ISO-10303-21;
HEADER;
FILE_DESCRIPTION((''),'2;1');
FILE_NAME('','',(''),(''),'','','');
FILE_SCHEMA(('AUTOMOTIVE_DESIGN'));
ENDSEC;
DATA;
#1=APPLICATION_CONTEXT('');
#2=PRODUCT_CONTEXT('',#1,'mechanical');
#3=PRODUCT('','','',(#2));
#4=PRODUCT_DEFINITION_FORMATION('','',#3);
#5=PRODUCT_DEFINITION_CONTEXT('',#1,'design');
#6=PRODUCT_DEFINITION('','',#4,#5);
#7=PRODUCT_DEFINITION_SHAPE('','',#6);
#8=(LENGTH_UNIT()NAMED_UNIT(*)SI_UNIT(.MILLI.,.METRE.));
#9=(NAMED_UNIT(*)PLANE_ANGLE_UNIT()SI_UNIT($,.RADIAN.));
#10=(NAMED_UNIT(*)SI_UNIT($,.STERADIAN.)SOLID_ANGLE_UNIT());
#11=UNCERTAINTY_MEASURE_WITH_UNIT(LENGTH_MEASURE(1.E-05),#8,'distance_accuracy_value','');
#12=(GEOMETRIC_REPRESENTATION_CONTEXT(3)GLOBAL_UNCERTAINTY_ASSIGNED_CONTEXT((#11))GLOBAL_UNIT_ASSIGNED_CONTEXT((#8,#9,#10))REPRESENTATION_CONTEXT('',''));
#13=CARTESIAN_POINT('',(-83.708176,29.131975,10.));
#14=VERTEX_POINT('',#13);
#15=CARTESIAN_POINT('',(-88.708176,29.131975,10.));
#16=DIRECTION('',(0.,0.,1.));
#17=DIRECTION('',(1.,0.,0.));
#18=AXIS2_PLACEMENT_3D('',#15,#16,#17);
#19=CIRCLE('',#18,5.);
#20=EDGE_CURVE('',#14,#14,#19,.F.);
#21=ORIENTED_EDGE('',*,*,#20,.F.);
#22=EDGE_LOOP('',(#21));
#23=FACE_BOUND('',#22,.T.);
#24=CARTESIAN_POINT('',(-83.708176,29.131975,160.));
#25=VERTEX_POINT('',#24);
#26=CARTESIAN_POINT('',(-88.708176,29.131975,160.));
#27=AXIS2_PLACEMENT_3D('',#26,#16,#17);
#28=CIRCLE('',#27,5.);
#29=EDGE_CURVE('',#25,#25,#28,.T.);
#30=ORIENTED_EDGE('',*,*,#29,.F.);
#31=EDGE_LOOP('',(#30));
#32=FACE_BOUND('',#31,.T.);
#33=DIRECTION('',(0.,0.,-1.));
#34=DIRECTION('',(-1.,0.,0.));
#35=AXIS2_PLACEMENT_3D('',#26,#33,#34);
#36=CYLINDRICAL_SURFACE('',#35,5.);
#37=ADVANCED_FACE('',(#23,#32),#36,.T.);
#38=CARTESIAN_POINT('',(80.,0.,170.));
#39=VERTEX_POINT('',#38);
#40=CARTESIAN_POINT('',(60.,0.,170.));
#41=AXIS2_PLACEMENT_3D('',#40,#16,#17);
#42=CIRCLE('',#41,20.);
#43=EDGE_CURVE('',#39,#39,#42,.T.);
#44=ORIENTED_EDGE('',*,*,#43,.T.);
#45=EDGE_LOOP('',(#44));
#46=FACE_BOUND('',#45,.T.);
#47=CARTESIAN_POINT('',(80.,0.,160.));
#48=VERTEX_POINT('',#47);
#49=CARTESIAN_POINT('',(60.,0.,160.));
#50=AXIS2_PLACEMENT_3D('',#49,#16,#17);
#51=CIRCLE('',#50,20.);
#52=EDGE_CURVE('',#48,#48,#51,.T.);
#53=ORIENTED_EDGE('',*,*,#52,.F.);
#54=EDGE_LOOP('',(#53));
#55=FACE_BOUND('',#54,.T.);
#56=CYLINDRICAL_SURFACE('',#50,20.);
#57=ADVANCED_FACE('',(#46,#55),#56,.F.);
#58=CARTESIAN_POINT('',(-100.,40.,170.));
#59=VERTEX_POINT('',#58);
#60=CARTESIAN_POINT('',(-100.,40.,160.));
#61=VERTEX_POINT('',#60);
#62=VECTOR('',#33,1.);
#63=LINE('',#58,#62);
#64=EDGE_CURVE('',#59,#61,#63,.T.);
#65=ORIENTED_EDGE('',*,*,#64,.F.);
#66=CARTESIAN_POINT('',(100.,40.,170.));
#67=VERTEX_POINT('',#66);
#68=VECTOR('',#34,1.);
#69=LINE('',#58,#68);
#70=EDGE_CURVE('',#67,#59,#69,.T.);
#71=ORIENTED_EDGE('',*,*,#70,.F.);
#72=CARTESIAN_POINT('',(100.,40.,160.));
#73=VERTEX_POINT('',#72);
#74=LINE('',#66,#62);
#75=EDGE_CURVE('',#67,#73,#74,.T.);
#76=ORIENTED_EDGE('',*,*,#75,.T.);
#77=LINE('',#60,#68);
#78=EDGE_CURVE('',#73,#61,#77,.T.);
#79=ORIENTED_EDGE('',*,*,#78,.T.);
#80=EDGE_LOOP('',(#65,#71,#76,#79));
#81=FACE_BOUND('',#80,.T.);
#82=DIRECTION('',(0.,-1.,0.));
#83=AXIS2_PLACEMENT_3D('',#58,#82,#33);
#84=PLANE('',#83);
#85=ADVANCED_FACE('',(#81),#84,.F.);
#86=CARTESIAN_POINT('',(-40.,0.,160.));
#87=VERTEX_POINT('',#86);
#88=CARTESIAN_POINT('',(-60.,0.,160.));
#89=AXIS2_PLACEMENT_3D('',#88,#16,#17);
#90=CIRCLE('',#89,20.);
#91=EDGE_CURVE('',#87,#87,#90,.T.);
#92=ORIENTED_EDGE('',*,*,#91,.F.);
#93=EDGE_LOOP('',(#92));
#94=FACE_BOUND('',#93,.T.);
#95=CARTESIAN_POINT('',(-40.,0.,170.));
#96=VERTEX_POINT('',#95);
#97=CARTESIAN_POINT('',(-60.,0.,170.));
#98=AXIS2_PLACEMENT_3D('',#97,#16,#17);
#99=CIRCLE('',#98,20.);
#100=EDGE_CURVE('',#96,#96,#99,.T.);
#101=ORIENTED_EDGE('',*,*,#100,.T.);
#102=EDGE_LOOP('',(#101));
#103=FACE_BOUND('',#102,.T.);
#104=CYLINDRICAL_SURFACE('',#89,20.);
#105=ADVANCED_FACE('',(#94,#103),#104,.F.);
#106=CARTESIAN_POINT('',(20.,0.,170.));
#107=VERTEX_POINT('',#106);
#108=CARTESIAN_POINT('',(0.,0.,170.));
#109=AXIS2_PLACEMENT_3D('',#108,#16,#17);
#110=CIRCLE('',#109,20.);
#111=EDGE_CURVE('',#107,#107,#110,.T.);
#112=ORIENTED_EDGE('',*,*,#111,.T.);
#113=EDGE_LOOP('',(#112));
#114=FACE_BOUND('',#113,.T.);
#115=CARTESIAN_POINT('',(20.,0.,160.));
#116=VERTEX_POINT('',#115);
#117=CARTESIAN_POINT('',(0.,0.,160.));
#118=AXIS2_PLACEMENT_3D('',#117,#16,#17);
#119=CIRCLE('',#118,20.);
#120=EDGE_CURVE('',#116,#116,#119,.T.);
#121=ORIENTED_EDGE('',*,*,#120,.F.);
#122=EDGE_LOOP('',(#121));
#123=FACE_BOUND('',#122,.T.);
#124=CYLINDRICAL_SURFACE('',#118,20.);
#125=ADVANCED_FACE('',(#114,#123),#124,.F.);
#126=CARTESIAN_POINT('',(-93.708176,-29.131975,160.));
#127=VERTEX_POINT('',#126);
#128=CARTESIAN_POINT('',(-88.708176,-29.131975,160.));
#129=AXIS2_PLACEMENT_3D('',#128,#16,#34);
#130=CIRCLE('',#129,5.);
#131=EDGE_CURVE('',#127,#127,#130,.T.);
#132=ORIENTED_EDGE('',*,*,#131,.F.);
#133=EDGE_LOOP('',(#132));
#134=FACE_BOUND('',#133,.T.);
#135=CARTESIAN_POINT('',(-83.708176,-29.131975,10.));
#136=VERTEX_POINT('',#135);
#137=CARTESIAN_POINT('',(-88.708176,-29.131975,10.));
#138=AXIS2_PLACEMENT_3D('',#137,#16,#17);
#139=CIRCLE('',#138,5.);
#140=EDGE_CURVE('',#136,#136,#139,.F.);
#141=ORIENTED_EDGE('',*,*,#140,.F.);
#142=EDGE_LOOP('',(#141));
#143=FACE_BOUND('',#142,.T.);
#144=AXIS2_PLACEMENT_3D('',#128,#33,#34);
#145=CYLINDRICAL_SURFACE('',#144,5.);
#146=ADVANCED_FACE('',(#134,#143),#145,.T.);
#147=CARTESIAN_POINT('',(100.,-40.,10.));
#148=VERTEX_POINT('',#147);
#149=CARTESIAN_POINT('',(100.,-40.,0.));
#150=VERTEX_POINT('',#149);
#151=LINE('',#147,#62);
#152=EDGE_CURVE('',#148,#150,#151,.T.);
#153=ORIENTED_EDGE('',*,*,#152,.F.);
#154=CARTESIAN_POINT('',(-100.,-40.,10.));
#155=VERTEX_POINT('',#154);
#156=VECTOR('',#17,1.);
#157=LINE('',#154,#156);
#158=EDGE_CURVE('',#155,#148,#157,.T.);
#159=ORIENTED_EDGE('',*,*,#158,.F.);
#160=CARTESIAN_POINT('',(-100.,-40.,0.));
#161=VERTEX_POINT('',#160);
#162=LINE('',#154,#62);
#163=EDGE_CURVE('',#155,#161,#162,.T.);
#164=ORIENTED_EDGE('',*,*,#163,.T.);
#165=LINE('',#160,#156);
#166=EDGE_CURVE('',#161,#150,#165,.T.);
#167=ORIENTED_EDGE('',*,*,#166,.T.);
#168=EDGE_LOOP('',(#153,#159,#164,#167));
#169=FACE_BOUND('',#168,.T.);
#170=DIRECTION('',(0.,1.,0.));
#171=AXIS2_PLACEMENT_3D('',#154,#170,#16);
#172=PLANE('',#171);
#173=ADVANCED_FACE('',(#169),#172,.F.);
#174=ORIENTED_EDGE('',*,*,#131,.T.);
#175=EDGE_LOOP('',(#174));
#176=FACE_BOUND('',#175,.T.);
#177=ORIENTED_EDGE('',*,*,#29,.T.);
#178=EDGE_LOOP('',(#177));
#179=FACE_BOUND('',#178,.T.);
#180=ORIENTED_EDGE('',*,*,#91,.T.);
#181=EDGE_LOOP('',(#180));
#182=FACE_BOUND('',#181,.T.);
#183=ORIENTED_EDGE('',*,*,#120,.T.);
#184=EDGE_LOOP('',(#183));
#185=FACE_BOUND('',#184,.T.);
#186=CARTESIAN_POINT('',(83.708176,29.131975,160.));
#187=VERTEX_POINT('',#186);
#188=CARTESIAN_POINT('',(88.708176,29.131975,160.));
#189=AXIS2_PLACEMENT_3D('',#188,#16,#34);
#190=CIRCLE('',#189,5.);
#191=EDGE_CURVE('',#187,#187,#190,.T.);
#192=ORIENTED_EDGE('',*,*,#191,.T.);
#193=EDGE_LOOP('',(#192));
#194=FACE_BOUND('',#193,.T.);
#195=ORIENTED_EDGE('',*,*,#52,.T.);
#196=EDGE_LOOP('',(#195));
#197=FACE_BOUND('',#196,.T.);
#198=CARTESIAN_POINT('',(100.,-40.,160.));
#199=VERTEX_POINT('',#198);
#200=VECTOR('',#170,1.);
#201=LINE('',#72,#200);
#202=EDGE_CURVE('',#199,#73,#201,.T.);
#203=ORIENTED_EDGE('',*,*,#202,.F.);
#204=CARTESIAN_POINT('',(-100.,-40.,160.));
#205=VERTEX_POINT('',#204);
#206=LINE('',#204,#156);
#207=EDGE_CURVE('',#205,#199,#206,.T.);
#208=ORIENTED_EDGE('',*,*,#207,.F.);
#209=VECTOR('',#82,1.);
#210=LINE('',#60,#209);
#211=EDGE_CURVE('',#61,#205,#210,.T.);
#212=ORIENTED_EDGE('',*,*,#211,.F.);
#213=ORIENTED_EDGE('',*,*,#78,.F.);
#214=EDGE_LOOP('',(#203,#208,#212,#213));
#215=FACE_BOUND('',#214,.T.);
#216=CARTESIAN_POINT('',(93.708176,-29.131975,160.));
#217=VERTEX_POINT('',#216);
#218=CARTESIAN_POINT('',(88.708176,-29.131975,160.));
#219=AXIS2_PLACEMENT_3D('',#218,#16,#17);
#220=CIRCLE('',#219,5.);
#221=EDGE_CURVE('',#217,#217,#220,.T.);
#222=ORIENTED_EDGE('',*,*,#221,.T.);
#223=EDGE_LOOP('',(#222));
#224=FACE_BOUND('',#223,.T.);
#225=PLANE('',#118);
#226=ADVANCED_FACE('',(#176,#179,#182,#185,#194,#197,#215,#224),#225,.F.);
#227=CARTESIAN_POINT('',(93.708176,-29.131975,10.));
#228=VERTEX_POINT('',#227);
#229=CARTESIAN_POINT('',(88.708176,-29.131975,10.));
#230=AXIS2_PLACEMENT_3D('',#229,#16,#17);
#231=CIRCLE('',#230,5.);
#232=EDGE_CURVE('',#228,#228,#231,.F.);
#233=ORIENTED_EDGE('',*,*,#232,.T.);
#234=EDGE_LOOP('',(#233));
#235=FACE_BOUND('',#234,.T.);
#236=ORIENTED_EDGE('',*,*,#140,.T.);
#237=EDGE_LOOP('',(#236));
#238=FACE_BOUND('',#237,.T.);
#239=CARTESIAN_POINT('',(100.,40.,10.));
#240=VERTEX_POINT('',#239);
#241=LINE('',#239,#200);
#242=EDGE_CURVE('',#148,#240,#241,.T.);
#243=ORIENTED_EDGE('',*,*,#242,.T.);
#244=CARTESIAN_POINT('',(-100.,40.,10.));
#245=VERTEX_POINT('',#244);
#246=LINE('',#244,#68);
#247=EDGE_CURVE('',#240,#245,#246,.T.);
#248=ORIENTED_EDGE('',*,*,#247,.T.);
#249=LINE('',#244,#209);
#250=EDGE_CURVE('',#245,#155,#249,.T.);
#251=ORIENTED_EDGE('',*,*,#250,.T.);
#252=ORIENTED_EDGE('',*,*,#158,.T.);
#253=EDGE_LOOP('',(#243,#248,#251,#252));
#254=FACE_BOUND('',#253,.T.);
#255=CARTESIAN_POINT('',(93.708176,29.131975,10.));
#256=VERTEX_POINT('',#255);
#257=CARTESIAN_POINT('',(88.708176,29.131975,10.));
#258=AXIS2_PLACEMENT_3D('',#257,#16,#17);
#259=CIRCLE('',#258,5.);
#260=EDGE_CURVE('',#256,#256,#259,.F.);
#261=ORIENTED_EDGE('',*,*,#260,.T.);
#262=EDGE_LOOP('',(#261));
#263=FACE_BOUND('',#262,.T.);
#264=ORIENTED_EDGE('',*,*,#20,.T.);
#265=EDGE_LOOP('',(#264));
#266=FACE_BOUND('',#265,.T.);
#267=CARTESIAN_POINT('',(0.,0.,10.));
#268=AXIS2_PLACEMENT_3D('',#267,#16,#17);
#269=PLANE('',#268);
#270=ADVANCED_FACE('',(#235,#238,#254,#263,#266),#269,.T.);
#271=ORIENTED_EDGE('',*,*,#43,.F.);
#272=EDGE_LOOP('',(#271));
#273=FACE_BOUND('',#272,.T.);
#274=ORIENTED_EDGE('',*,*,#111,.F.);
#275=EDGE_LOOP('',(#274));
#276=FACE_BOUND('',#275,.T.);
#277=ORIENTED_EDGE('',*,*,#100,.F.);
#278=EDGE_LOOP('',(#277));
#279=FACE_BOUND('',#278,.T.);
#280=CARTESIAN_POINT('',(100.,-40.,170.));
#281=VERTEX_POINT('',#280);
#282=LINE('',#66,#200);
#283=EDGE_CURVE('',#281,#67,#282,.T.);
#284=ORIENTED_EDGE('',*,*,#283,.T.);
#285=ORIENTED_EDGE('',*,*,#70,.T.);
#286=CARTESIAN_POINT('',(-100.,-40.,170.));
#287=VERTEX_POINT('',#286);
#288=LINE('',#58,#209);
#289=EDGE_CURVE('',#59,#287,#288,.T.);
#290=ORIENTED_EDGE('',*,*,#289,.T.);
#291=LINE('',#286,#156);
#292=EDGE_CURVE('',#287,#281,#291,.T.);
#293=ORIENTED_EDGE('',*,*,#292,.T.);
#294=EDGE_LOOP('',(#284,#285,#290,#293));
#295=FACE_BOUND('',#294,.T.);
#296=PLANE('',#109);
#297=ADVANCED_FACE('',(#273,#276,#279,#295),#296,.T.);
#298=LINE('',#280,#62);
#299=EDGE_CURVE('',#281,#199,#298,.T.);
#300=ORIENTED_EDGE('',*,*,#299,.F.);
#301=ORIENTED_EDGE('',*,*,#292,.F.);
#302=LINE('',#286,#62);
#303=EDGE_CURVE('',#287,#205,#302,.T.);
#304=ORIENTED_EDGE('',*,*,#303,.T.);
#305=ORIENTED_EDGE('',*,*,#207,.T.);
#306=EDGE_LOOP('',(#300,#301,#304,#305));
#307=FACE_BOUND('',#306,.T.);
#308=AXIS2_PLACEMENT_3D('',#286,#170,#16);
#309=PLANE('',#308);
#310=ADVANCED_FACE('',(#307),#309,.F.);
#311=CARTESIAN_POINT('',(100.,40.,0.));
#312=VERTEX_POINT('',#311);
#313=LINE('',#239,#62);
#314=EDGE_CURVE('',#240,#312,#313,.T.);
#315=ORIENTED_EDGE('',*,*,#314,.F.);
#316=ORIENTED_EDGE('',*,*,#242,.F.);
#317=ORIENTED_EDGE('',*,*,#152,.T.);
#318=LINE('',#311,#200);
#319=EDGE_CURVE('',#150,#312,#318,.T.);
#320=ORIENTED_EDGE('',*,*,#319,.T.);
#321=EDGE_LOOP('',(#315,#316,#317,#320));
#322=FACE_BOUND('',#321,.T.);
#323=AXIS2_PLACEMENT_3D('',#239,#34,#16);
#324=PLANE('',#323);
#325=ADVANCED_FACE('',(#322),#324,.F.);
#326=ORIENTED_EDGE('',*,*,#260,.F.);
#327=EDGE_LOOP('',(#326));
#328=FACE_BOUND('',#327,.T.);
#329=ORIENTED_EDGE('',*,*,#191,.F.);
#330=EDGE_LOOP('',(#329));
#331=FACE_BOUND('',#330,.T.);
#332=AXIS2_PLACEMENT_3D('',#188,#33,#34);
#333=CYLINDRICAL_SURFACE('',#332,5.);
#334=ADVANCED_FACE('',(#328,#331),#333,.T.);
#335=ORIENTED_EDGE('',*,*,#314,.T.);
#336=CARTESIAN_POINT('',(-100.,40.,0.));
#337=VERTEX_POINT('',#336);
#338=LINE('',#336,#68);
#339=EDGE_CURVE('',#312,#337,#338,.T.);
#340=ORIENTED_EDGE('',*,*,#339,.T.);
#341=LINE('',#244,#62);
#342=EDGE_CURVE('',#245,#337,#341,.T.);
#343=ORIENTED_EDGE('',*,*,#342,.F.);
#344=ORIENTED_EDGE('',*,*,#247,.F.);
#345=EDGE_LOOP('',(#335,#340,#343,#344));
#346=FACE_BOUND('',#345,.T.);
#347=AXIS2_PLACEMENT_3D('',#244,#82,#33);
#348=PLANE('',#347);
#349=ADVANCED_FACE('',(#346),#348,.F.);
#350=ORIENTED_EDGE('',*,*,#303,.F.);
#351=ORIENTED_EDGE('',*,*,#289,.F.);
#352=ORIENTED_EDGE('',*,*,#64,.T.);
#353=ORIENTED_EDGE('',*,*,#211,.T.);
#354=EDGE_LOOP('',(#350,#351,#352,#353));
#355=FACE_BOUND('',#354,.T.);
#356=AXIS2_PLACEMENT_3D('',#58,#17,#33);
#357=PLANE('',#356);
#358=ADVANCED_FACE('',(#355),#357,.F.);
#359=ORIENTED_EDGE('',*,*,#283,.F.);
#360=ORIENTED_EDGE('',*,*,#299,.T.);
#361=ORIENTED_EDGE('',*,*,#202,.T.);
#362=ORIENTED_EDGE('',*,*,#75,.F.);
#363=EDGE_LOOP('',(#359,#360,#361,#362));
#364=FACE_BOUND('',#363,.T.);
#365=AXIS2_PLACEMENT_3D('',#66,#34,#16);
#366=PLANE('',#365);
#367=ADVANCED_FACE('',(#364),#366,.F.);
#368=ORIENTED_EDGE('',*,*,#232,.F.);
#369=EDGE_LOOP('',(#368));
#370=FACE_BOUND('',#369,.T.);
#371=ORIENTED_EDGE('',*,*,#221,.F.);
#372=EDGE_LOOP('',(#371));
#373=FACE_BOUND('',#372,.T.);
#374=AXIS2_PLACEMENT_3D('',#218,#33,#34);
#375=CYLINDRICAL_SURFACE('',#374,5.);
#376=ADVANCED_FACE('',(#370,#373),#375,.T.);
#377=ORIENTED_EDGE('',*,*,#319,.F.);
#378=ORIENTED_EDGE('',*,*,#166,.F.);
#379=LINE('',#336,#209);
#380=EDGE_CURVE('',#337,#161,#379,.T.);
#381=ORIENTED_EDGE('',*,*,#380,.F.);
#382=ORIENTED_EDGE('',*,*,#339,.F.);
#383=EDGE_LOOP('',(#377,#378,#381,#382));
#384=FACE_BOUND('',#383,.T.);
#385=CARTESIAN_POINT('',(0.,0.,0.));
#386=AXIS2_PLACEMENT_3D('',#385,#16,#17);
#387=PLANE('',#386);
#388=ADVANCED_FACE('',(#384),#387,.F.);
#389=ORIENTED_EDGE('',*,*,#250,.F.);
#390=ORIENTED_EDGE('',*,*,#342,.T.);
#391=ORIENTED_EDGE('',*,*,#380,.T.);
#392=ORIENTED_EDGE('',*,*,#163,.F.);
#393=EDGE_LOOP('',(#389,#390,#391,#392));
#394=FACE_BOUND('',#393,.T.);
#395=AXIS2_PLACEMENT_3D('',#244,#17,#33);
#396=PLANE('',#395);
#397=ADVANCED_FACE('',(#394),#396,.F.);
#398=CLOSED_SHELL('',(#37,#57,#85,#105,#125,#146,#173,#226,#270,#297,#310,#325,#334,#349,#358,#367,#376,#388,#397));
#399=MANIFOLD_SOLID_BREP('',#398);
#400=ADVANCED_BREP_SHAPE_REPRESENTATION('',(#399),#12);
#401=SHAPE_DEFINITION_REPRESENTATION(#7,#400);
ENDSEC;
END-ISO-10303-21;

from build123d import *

# Parameters (mm, degrees)
SKETCH1_W           = 200
SKETCH1_H           = 80
BOSS_EXTRUDE1_DEPTH = 10
SKETCH2_R           = 5
BOSS_EXTRUDE2_DEPTH = 160
SKETCH3_W           = 200
SKETCH3_H           = 80
BOSS_EXTRUDE3_DEPTH = 10
SKETCH7_R           = 20
CUT_EXTRUDE1_DEPTH  = 10


with BuildPart() as part:
    # Sketch1 → Boss-Extrude1 (new body)
    with BuildSketch(Plane.XY):
        Rectangle(SKETCH1_W, SKETCH1_H)
    extrude(amount=BOSS_EXTRUDE1_DEPTH)

    # Sketch2 → Boss-Extrude2 (add)
    with BuildSketch(Plane.XY):
        with Locations((-88.708175614, 29.131974832)):
            Circle(SKETCH2_R)
        with Locations((88.708175614, 29.131974832)):
            Circle(SKETCH2_R)
        with Locations((88.708175614, -29.131974832)):
            Circle(SKETCH2_R)
        with Locations((-88.708175614, -29.131974832)):
            Circle(SKETCH2_R)
    extrude(amount=BOSS_EXTRUDE2_DEPTH)

    # Sketch3 → Boss-Extrude3 (add)
    with BuildSketch(Plane.XY.offset(160)):
        Rectangle(SKETCH3_W, SKETCH3_H)
    extrude(amount=BOSS_EXTRUDE3_DEPTH)

    # Sketch7 → Cut-Extrude1 (cut)
    with BuildSketch(Plane.XY.offset(170)):
        Circle(SKETCH7_R)
        with Locations((-60, 0)):
            Circle(SKETCH7_R)
        with Locations((60, 0)):
            Circle(SKETCH7_R)
    extrude(amount=-CUT_EXTRUDE1_DEPTH, mode=Mode.SUBTRACT)


solid = part.part
